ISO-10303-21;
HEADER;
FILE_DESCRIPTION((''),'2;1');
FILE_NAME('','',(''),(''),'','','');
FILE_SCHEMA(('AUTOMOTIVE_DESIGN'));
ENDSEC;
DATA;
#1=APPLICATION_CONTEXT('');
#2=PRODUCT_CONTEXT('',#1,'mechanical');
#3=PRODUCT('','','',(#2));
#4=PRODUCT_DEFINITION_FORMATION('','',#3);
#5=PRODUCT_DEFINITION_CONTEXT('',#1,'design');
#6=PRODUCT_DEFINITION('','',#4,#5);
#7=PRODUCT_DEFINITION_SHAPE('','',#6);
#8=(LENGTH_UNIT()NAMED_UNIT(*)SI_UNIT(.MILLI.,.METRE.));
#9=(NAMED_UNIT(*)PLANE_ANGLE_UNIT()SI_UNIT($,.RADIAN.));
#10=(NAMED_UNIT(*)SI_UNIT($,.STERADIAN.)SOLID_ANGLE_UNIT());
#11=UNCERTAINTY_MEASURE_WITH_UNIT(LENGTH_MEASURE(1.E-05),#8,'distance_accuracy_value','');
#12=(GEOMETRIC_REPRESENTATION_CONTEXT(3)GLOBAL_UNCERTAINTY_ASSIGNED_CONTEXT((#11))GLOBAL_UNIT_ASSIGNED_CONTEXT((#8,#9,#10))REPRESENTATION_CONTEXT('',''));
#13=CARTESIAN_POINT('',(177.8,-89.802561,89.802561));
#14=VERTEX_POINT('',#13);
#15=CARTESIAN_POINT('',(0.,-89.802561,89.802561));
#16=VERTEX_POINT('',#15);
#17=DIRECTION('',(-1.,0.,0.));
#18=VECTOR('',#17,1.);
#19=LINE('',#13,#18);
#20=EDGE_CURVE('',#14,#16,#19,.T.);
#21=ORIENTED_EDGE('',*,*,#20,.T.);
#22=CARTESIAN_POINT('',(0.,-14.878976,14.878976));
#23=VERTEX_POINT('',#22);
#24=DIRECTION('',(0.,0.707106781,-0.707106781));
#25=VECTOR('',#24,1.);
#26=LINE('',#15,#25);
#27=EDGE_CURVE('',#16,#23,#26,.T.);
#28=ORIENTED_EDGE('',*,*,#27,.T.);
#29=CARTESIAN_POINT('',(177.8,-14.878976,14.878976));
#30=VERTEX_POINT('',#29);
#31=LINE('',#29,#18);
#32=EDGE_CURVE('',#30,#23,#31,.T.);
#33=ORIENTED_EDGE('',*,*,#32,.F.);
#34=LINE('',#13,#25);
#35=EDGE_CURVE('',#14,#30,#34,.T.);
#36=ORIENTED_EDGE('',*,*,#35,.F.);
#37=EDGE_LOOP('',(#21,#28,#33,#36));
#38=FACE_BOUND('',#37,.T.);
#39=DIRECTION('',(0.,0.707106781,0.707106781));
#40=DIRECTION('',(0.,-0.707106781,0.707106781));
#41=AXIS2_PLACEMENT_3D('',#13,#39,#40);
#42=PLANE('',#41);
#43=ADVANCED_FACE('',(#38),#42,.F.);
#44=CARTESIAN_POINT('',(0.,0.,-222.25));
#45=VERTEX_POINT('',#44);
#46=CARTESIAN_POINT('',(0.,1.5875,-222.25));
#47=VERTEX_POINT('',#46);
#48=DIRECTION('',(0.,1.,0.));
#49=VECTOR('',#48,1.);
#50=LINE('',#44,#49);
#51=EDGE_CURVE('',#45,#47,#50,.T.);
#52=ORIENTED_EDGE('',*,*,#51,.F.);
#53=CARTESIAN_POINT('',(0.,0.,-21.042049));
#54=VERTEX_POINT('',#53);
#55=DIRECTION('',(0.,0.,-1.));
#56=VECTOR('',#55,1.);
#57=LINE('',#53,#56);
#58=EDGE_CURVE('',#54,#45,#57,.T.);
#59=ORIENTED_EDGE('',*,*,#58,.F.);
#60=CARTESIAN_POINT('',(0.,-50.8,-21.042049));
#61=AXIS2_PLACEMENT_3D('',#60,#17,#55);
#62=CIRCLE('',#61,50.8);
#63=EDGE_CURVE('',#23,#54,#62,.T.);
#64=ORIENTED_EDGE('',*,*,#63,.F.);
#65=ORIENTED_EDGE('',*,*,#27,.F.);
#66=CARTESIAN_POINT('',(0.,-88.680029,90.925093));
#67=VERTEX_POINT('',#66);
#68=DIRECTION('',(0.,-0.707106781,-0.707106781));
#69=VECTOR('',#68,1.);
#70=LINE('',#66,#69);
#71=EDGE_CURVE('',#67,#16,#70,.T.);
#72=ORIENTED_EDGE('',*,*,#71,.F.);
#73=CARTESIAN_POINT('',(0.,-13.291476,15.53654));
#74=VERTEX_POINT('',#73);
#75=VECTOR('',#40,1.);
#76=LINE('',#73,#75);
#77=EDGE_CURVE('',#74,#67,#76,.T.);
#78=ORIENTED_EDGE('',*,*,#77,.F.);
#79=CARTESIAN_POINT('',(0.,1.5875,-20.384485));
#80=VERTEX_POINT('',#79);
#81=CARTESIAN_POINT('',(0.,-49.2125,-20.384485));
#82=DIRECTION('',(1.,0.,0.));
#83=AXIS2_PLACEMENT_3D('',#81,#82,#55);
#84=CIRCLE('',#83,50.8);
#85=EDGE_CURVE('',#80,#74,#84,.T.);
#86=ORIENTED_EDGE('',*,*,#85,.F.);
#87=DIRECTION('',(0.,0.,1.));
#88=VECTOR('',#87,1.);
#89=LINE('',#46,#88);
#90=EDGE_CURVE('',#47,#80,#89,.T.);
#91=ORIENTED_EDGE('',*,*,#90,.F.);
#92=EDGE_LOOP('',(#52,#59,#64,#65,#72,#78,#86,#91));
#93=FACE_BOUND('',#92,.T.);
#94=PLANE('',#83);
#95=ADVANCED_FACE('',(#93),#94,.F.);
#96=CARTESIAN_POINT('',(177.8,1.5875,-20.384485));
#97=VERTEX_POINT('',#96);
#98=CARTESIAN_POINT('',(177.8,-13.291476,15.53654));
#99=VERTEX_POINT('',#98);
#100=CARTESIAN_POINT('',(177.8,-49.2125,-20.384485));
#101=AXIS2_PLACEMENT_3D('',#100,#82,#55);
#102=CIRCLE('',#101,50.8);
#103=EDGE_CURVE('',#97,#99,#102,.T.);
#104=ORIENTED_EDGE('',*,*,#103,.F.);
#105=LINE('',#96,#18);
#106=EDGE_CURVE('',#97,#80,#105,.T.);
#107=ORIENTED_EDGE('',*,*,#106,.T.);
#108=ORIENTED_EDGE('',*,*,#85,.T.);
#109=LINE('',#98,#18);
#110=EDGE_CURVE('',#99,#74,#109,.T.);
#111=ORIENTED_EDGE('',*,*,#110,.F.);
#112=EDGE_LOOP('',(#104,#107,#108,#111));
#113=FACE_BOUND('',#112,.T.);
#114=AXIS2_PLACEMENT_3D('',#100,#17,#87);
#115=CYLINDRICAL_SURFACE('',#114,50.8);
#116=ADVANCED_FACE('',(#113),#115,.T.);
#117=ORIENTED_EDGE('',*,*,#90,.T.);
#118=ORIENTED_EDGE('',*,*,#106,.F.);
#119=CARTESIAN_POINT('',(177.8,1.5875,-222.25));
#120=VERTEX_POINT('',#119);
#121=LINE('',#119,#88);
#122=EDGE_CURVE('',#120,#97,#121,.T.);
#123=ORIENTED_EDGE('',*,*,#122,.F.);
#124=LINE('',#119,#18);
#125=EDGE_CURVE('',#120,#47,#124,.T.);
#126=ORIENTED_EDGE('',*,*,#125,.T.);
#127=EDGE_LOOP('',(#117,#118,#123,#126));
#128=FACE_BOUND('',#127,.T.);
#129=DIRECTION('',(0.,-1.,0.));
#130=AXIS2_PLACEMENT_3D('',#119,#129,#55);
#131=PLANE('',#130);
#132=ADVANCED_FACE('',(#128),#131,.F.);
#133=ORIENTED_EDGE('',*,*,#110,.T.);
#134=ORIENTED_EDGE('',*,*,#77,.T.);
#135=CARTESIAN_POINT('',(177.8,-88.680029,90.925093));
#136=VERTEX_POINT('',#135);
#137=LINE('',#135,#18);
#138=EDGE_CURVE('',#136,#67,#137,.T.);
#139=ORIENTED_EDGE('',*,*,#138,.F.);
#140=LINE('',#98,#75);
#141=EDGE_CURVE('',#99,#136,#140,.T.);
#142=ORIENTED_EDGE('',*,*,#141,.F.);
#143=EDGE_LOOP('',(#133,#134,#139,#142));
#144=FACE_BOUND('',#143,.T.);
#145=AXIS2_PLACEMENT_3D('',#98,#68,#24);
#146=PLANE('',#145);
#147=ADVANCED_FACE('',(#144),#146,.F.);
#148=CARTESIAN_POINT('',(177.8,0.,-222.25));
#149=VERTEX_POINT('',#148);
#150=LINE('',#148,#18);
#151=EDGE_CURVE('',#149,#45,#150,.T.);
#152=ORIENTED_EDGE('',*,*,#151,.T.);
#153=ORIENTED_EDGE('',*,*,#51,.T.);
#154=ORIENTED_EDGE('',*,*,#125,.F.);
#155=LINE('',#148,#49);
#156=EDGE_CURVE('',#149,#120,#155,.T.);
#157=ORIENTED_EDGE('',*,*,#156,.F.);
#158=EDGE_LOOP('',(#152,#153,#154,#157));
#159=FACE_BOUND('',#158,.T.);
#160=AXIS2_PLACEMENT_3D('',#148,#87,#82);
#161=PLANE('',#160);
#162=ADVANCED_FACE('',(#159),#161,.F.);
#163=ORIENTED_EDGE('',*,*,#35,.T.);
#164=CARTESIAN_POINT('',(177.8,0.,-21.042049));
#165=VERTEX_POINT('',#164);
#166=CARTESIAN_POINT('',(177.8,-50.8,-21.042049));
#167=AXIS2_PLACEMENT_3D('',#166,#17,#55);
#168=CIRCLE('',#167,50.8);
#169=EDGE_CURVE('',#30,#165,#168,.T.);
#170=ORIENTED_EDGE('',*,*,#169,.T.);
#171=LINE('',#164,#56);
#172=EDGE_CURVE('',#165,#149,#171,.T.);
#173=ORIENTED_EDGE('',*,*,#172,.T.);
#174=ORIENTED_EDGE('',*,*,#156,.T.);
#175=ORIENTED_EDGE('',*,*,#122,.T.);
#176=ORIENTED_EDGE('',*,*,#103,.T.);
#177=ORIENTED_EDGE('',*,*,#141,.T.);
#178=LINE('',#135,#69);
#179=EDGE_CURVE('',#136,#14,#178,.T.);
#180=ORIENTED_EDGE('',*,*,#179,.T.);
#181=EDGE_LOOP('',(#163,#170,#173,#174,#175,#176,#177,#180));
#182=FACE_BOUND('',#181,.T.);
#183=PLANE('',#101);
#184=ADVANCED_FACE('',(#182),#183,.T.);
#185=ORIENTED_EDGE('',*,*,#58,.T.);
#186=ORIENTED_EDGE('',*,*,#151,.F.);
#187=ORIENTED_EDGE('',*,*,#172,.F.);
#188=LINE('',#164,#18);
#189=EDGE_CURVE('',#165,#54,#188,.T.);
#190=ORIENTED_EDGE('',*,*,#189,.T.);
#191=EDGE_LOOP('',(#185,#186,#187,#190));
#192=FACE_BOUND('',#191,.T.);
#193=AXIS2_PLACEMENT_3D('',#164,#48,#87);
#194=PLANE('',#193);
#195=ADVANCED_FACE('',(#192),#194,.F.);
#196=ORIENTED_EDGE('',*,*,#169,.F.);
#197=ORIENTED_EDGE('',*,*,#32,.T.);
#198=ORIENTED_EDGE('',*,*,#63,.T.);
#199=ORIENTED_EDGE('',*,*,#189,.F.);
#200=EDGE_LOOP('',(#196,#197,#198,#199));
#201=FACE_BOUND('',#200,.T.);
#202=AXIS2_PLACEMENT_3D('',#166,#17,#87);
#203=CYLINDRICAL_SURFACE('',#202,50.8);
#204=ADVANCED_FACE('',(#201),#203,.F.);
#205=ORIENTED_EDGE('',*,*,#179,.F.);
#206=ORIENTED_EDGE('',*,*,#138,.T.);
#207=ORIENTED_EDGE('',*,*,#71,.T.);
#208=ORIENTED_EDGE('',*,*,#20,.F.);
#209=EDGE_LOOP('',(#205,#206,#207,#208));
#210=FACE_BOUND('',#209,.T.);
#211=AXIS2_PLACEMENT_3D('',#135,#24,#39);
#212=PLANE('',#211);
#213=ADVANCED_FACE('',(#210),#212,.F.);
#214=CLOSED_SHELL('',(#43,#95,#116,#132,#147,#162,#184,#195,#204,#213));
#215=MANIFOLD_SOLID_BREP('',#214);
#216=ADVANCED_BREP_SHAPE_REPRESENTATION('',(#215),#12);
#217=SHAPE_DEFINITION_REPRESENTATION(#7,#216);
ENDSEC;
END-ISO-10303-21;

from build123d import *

# Parameters (mm, degrees)
BOSS_EXTRUDE1_DEPTH = 177.8


with BuildPart() as part:
    # Sketch1 → Boss-Extrude1 (new body)
    with BuildSketch(Plane(origin=(0, 0, 0), x_dir=(0, 0, -1), z_dir=(1, 0, 0))):
        with BuildLine():
            Line((21.042048969, 0), (222.25, 0))
            Line((222.25, 0), (222.25, 1.5875))
            Line((222.25, 1.5875), (20.384484938, 1.5875))
            ThreePointArc((20.384484938, 1.5875), (0.944166574, -2.279419748), (-15.536539546, -13.291475516))
            Line((-15.536539546, -13.291475516), (-90.925093226, -88.680029196))
            Line((-90.925093226, -88.680029196), (-89.802561211, -89.802561211))
            Line((-89.802561211, -89.802561211), (-14.878975516, -14.878975516))
            ThreePointArc((-14.878975516, -14.878975516), (1.601730604, -3.866919748), (21.042048969, 0))
        make_face()
    extrude(amount=BOSS_EXTRUDE1_DEPTH)


solid = part.part
